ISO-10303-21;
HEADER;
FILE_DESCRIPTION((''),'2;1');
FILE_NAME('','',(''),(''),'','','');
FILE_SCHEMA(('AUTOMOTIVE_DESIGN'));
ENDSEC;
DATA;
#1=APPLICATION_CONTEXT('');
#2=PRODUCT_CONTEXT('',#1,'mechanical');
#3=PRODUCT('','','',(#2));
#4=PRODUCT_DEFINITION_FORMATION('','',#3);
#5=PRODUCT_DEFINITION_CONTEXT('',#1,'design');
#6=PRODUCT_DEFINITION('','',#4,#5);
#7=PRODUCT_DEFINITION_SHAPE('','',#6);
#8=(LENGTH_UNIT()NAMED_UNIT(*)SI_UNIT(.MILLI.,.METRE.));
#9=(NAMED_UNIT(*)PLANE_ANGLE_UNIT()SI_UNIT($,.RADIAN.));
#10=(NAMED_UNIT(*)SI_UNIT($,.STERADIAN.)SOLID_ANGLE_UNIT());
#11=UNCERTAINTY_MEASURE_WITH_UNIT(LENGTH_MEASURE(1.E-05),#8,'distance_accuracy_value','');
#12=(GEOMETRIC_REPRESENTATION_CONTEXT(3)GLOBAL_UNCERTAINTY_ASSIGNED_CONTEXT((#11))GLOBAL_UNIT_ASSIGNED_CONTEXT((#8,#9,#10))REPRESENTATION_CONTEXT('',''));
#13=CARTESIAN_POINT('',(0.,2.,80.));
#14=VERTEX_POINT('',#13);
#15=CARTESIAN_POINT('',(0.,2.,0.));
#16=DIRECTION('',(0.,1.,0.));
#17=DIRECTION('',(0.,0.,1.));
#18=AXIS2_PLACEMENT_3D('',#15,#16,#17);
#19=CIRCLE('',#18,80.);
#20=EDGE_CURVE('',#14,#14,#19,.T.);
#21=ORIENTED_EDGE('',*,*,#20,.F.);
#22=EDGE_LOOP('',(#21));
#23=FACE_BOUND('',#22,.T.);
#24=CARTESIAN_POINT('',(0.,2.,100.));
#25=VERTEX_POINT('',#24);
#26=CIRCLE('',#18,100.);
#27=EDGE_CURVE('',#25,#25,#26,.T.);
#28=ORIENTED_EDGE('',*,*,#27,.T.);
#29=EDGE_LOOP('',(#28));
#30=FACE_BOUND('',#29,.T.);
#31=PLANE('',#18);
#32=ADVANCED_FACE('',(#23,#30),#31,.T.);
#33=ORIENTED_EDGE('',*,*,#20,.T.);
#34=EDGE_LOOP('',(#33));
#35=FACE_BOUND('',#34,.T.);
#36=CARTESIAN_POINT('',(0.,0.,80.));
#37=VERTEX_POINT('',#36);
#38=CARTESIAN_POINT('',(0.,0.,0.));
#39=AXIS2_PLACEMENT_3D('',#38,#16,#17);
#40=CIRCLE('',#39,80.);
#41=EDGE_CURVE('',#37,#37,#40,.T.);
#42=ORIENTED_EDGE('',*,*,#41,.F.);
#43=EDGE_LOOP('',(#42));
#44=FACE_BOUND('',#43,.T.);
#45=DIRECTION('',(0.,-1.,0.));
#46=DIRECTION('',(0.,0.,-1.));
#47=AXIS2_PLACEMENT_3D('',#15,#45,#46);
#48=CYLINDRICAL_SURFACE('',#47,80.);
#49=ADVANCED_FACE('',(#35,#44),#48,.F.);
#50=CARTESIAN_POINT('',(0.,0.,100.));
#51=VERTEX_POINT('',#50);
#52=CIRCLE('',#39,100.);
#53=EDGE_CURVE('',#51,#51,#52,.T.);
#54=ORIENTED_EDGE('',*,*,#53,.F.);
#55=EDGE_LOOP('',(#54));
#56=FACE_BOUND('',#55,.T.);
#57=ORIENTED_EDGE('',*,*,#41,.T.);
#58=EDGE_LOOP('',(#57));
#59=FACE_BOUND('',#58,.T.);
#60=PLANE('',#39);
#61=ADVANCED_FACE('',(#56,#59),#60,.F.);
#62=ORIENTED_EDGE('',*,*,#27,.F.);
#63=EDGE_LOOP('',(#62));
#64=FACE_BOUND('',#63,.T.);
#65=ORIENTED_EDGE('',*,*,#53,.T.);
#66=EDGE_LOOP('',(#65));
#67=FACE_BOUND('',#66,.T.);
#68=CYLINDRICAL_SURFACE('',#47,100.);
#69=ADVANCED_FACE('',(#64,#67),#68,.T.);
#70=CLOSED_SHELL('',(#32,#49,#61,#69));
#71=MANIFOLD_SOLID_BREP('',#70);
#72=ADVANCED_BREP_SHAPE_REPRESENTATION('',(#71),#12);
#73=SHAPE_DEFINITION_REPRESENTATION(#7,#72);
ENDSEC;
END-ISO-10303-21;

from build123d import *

# Parameters (mm, degrees)
CROQUIS1_R              = 100
CROQUIS1_R_2            = 80
SALIENTE_EXTRUIR1_DEPTH = 2


with BuildPart() as part:
    # Croquis1 → Saliente-Extruir1 (new body)
    with BuildSketch(Plane(origin=(0, 0, 0), x_dir=(1, 0, 0), z_dir=(0, 1, 0))):
        Circle(CROQUIS1_R)
        Circle(CROQUIS1_R_2, mode=Mode.SUBTRACT)
    extrude(amount=SALIENTE_EXTRUIR1_DEPTH)


solid = part.part
